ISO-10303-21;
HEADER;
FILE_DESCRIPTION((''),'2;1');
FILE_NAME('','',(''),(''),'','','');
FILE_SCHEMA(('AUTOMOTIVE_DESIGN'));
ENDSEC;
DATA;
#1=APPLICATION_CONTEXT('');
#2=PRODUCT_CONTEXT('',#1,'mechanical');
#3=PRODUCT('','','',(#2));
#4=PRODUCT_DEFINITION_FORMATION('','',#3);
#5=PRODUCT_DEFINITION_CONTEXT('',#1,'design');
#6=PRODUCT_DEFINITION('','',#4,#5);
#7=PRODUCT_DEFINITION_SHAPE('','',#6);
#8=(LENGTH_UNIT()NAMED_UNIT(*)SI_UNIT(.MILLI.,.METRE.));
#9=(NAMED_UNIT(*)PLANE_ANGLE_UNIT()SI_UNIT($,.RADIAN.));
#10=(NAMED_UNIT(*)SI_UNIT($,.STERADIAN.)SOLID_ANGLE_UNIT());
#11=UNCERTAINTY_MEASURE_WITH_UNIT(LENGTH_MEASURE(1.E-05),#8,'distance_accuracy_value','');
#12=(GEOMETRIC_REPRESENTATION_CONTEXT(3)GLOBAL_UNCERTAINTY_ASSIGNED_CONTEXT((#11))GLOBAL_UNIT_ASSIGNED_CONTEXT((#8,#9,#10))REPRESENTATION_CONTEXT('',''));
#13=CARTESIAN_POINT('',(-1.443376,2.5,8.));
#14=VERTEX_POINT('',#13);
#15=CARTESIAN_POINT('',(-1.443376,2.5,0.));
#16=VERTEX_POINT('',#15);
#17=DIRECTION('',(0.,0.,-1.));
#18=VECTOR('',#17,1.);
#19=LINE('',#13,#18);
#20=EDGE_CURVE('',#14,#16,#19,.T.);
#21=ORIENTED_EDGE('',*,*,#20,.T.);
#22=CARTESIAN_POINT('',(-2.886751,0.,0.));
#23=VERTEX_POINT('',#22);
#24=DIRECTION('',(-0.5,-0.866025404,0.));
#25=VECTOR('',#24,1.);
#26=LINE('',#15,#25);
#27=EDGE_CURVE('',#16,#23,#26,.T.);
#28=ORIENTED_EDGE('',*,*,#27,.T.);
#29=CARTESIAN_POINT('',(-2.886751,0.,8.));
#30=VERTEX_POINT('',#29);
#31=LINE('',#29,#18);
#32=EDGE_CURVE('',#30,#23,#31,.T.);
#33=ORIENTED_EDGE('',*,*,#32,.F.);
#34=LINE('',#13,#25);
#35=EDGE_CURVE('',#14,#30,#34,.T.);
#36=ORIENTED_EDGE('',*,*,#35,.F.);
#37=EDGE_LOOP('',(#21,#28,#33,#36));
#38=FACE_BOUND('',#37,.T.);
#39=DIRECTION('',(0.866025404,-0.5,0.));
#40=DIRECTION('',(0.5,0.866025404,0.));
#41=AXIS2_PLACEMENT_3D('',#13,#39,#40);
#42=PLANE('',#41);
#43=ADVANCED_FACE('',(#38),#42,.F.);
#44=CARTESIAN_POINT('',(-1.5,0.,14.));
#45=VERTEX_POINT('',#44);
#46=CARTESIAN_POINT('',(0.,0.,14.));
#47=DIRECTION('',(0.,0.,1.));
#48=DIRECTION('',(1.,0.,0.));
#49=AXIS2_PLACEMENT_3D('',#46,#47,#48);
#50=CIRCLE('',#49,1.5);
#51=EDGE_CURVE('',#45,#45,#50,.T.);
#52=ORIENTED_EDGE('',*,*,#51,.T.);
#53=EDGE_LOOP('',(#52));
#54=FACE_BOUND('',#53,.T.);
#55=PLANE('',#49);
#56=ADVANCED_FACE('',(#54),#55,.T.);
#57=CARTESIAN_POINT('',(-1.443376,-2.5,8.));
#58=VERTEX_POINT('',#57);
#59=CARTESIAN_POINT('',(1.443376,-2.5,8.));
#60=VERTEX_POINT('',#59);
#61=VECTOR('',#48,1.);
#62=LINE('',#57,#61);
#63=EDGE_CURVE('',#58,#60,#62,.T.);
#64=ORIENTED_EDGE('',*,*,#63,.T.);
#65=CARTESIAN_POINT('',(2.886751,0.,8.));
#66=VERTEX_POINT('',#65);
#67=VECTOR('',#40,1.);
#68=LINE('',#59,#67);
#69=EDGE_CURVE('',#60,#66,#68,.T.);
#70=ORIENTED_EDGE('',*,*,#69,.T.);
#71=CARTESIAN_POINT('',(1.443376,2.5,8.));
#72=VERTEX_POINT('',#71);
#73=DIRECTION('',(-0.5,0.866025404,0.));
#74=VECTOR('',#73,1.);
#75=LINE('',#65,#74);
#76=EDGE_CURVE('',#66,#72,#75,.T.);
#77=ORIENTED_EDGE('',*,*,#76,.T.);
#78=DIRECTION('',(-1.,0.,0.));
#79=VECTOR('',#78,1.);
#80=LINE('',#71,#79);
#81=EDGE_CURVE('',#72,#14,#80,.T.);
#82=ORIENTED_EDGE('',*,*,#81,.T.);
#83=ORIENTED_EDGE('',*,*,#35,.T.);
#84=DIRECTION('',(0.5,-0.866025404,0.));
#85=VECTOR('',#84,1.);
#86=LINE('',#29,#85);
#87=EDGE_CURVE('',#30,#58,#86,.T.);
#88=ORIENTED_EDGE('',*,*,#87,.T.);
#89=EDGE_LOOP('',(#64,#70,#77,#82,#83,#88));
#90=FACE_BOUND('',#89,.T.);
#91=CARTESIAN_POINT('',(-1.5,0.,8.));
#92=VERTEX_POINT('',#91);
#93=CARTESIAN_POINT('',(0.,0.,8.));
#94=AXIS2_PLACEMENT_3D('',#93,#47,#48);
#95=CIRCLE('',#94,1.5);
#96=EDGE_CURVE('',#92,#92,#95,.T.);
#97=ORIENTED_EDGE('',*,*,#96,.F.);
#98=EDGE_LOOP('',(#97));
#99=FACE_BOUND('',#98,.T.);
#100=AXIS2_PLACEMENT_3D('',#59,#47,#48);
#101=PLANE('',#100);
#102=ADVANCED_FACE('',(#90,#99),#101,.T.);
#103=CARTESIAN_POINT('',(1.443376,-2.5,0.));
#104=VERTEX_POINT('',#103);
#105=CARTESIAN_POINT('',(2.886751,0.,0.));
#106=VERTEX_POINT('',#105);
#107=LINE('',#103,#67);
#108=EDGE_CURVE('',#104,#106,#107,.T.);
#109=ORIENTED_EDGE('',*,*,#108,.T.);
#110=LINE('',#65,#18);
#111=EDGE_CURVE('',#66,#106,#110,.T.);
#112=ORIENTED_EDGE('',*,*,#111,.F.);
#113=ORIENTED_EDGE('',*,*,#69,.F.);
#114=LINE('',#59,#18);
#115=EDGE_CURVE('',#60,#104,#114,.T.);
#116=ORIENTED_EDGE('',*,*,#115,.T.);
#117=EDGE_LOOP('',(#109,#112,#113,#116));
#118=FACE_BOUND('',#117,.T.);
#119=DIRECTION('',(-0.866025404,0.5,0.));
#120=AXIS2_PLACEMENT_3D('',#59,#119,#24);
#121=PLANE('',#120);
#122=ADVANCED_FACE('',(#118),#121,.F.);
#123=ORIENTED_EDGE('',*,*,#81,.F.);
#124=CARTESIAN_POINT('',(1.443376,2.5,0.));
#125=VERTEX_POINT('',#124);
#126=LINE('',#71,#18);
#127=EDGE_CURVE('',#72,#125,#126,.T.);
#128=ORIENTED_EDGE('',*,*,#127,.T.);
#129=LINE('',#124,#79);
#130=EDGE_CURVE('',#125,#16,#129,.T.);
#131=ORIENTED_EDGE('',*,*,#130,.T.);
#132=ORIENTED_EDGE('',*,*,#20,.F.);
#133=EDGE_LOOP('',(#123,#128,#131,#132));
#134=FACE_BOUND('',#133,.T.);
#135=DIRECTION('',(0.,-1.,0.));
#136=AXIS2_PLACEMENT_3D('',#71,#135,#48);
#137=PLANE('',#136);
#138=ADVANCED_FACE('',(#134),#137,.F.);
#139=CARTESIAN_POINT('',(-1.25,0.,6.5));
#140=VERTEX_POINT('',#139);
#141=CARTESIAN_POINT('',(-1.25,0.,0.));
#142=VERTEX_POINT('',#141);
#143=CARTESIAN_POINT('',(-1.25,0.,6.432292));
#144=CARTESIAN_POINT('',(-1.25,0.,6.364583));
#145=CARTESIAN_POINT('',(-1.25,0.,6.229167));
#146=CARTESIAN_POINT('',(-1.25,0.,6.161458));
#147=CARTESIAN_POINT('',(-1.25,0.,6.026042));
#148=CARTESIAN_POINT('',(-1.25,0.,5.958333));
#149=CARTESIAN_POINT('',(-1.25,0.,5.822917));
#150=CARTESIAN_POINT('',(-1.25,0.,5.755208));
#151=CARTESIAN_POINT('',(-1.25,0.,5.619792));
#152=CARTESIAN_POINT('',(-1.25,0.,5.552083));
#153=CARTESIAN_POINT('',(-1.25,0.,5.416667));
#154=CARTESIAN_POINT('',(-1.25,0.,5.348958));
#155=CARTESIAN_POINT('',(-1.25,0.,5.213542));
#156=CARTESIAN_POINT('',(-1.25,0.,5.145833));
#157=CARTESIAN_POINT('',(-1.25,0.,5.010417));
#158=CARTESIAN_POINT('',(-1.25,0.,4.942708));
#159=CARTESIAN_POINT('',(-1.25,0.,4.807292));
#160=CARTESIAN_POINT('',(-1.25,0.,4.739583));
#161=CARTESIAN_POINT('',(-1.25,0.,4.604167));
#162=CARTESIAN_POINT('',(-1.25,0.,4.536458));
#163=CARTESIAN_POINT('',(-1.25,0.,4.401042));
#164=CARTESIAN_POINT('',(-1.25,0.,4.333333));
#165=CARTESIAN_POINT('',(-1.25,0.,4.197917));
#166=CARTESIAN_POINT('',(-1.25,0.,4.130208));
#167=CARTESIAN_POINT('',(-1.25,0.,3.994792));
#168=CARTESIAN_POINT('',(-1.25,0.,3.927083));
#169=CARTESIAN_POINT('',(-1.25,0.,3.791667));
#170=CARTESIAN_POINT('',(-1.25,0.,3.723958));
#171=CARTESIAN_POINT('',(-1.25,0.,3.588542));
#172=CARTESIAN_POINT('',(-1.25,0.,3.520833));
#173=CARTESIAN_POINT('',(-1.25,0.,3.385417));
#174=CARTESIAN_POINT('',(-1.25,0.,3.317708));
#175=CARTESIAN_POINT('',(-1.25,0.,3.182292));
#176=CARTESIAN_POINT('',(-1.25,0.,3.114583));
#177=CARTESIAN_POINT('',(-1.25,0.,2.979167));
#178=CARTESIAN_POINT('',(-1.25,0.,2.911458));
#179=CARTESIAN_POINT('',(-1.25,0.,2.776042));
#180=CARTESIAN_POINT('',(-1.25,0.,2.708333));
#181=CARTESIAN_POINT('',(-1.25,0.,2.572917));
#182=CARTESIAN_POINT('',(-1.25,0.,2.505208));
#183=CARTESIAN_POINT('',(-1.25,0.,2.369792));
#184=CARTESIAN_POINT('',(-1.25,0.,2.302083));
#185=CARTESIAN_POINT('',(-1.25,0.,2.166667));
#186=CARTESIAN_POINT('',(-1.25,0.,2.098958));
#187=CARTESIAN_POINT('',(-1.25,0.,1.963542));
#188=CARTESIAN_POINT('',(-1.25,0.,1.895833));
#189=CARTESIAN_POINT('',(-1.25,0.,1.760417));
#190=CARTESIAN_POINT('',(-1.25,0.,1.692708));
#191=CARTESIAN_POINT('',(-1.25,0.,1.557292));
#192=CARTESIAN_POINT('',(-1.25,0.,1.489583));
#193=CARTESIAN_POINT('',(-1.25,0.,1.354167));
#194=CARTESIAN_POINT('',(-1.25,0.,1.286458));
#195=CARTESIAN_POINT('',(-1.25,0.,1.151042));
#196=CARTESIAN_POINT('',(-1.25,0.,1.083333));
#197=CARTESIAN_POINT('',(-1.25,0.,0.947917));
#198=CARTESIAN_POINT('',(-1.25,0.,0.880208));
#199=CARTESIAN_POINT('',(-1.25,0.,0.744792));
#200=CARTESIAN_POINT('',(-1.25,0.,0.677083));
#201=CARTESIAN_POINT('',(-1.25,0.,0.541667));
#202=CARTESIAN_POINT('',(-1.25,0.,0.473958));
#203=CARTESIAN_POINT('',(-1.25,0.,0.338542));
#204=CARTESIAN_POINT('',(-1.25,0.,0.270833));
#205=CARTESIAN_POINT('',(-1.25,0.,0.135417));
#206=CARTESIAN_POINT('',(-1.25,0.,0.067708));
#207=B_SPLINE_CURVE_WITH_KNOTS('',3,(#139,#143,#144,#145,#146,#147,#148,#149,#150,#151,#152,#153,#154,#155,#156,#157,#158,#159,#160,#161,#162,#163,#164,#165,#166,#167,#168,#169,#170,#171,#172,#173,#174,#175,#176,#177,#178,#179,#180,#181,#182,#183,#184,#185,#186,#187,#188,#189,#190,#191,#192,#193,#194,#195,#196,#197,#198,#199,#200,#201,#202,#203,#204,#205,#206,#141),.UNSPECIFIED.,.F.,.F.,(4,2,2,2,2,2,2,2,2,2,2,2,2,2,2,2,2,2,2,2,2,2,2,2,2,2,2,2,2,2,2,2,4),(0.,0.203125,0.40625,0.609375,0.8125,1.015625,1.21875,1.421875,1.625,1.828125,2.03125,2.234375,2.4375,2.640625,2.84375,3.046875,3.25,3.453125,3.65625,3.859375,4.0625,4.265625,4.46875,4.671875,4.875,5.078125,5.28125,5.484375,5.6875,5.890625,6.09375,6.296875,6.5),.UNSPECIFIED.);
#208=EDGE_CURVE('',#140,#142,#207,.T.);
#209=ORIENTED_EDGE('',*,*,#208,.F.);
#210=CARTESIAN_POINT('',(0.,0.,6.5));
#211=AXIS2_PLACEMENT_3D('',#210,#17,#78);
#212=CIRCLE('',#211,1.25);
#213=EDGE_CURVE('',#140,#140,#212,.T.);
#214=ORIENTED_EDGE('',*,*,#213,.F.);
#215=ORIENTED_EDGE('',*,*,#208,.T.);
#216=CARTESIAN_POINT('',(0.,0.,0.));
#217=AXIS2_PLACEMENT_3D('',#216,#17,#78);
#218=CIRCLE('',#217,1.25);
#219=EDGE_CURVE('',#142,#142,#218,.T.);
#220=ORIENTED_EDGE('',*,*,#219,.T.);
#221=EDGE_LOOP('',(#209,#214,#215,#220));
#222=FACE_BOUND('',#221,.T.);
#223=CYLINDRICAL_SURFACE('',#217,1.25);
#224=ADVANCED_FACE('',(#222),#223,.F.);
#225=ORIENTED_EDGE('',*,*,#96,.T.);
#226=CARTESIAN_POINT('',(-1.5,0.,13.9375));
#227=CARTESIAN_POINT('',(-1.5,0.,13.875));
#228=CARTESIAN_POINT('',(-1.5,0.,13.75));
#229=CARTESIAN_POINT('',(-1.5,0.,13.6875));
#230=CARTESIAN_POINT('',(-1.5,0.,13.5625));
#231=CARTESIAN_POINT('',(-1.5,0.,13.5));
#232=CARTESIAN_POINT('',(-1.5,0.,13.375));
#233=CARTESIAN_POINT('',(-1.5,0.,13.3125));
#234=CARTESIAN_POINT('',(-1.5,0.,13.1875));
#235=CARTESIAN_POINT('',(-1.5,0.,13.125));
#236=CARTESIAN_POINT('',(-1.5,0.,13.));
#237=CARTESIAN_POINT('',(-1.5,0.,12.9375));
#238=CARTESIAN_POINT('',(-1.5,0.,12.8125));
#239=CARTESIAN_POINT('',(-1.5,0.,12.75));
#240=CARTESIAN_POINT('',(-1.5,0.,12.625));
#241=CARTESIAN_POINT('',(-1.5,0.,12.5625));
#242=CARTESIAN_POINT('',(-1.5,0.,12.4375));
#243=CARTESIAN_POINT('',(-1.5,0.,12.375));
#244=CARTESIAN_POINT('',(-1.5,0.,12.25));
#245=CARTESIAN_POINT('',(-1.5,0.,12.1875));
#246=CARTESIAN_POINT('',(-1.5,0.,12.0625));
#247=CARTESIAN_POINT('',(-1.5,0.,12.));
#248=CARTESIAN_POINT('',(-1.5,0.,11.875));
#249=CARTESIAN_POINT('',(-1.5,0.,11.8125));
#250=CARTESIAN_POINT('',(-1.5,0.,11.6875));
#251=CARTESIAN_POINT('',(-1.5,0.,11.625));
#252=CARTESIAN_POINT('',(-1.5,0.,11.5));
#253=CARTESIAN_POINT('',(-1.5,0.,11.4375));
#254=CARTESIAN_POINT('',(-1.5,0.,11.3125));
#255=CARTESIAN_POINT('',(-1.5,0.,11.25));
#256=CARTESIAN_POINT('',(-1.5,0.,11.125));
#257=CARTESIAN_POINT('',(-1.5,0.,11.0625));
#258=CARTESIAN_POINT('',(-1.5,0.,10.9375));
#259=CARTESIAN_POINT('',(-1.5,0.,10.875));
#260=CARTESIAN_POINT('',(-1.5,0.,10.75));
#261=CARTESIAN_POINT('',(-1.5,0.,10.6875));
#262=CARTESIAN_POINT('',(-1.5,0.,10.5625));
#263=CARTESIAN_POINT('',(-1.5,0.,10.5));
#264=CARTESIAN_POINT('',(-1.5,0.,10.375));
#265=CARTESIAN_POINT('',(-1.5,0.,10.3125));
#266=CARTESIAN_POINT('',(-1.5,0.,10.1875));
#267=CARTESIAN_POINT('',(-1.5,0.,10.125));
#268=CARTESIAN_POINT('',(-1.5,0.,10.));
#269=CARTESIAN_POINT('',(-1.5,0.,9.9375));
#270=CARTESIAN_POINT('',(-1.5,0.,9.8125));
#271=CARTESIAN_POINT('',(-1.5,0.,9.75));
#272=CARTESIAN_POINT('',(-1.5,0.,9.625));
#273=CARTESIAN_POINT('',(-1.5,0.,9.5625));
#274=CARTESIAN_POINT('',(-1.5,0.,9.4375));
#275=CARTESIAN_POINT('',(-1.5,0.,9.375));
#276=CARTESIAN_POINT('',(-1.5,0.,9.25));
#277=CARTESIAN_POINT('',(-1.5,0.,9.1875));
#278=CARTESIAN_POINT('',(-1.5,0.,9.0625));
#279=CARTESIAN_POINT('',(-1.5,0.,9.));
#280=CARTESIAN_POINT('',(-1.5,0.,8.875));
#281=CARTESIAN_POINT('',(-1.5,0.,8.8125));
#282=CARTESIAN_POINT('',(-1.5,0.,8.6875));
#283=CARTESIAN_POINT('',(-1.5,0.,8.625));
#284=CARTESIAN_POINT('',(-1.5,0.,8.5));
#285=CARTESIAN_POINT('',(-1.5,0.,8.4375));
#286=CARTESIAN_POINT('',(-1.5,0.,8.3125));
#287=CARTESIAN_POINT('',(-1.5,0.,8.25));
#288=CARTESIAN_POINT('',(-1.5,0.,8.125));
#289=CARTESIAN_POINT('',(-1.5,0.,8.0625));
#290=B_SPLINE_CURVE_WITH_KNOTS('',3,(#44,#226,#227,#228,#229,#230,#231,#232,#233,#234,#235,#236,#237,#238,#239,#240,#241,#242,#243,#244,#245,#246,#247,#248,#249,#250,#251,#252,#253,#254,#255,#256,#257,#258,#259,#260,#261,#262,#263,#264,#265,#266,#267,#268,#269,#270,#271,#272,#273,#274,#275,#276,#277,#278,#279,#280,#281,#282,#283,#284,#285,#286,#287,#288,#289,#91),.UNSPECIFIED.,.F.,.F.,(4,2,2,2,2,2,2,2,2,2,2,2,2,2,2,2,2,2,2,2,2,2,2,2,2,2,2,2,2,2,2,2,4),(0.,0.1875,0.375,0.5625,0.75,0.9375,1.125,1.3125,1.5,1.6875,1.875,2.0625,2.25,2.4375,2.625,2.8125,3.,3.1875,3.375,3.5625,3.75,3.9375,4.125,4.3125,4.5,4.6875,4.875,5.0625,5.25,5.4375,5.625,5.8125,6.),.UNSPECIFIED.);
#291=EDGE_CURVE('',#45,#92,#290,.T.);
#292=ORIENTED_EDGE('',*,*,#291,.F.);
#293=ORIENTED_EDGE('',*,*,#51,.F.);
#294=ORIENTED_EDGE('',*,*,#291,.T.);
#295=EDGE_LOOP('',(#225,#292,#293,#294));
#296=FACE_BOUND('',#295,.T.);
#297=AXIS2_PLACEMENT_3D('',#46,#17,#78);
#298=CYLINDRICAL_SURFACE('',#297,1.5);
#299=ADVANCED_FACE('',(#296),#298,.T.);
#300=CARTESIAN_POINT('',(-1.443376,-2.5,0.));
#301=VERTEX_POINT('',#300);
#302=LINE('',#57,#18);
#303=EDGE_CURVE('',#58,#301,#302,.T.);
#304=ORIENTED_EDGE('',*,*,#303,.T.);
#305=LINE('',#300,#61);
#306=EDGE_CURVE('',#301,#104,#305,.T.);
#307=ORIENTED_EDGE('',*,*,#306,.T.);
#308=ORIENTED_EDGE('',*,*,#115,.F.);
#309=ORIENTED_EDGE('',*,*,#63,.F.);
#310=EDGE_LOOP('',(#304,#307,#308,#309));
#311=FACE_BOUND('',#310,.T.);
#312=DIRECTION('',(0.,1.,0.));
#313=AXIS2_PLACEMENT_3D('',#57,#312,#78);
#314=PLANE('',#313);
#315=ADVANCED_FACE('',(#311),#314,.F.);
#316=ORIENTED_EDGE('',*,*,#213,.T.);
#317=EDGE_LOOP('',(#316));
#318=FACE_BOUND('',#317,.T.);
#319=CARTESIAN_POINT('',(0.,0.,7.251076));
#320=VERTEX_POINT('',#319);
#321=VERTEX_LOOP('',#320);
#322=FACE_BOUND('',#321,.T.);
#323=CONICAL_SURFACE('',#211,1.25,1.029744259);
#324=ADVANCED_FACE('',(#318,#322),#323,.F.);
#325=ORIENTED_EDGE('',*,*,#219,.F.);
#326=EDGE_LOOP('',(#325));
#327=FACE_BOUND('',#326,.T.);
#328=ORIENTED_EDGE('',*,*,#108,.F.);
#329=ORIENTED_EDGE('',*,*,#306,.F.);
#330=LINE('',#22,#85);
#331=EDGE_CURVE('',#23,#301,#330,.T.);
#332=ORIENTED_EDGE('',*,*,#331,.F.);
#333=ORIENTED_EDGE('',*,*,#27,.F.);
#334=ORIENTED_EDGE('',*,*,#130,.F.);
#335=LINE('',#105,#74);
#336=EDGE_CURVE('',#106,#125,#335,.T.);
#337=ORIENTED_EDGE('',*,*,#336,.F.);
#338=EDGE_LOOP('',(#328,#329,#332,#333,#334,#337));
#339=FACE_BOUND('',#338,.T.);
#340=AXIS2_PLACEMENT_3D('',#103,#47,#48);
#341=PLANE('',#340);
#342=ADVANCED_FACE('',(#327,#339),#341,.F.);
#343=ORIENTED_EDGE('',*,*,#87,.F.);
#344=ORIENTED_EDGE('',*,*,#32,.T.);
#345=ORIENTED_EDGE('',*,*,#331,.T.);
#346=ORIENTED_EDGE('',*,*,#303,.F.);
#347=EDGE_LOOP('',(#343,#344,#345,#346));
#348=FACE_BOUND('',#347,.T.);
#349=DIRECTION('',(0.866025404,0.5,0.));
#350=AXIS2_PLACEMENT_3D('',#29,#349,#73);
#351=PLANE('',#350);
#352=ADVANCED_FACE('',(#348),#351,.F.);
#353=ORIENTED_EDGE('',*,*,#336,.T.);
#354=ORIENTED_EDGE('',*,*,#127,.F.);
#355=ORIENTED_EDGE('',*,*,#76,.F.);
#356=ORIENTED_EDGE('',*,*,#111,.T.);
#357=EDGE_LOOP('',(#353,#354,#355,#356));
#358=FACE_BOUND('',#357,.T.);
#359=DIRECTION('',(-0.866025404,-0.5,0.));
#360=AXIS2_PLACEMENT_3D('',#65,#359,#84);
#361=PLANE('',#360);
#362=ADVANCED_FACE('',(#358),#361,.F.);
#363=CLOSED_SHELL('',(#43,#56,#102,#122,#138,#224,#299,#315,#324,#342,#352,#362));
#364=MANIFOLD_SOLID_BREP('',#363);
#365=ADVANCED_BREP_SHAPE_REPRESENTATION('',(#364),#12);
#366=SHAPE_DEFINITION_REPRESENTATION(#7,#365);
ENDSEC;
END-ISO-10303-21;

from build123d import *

# Parameters (mm, degrees)
EXTRUDE_1_DEPTH = 8
SKETCH_2_R      = 1.5
EXTRUDE_2_DEPTH = 6
M3X0_5_1_D      = 2.5
M3X0_5_1_DEPTH  = 6.5
M3X0_5_1_TIP    = 0.751075774


with BuildPart() as part:
    # 草图1 → 拉伸1 (new body)
    with BuildSketch(Plane.XY):
        Polygon((1.443375673, -2.5), (2.886751346, 0), (1.443375673, 2.5), (-1.443375673, 2.5), (-2.886751346, 0), (-1.443375673, -2.5), align=None)
    extrude(amount=EXTRUDE_1_DEPTH)

    # 草图2 → 拉伸2 (add)
    with BuildSketch(Plane.XY.offset(8)):
        Circle(SKETCH_2_R)
    extrude(amount=EXTRUDE_2_DEPTH)

    # M3x0.5 螺纹孔1
    with Locations(Plane(origin=(0, 0, 0), x_dir=(-1, 0, 0), z_dir=(0, 0, -1))):
        with Locations((0, 0)):
            Hole(M3X0_5_1_D / 2, depth=M3X0_5_1_DEPTH)
            with Locations((0, 0, -(M3X0_5_1_DEPTH + M3X0_5_1_TIP / 2))):  # 118° drill point
                Cone(0, M3X0_5_1_D / 2, M3X0_5_1_TIP, mode=Mode.SUBTRACT)


solid = part.part
